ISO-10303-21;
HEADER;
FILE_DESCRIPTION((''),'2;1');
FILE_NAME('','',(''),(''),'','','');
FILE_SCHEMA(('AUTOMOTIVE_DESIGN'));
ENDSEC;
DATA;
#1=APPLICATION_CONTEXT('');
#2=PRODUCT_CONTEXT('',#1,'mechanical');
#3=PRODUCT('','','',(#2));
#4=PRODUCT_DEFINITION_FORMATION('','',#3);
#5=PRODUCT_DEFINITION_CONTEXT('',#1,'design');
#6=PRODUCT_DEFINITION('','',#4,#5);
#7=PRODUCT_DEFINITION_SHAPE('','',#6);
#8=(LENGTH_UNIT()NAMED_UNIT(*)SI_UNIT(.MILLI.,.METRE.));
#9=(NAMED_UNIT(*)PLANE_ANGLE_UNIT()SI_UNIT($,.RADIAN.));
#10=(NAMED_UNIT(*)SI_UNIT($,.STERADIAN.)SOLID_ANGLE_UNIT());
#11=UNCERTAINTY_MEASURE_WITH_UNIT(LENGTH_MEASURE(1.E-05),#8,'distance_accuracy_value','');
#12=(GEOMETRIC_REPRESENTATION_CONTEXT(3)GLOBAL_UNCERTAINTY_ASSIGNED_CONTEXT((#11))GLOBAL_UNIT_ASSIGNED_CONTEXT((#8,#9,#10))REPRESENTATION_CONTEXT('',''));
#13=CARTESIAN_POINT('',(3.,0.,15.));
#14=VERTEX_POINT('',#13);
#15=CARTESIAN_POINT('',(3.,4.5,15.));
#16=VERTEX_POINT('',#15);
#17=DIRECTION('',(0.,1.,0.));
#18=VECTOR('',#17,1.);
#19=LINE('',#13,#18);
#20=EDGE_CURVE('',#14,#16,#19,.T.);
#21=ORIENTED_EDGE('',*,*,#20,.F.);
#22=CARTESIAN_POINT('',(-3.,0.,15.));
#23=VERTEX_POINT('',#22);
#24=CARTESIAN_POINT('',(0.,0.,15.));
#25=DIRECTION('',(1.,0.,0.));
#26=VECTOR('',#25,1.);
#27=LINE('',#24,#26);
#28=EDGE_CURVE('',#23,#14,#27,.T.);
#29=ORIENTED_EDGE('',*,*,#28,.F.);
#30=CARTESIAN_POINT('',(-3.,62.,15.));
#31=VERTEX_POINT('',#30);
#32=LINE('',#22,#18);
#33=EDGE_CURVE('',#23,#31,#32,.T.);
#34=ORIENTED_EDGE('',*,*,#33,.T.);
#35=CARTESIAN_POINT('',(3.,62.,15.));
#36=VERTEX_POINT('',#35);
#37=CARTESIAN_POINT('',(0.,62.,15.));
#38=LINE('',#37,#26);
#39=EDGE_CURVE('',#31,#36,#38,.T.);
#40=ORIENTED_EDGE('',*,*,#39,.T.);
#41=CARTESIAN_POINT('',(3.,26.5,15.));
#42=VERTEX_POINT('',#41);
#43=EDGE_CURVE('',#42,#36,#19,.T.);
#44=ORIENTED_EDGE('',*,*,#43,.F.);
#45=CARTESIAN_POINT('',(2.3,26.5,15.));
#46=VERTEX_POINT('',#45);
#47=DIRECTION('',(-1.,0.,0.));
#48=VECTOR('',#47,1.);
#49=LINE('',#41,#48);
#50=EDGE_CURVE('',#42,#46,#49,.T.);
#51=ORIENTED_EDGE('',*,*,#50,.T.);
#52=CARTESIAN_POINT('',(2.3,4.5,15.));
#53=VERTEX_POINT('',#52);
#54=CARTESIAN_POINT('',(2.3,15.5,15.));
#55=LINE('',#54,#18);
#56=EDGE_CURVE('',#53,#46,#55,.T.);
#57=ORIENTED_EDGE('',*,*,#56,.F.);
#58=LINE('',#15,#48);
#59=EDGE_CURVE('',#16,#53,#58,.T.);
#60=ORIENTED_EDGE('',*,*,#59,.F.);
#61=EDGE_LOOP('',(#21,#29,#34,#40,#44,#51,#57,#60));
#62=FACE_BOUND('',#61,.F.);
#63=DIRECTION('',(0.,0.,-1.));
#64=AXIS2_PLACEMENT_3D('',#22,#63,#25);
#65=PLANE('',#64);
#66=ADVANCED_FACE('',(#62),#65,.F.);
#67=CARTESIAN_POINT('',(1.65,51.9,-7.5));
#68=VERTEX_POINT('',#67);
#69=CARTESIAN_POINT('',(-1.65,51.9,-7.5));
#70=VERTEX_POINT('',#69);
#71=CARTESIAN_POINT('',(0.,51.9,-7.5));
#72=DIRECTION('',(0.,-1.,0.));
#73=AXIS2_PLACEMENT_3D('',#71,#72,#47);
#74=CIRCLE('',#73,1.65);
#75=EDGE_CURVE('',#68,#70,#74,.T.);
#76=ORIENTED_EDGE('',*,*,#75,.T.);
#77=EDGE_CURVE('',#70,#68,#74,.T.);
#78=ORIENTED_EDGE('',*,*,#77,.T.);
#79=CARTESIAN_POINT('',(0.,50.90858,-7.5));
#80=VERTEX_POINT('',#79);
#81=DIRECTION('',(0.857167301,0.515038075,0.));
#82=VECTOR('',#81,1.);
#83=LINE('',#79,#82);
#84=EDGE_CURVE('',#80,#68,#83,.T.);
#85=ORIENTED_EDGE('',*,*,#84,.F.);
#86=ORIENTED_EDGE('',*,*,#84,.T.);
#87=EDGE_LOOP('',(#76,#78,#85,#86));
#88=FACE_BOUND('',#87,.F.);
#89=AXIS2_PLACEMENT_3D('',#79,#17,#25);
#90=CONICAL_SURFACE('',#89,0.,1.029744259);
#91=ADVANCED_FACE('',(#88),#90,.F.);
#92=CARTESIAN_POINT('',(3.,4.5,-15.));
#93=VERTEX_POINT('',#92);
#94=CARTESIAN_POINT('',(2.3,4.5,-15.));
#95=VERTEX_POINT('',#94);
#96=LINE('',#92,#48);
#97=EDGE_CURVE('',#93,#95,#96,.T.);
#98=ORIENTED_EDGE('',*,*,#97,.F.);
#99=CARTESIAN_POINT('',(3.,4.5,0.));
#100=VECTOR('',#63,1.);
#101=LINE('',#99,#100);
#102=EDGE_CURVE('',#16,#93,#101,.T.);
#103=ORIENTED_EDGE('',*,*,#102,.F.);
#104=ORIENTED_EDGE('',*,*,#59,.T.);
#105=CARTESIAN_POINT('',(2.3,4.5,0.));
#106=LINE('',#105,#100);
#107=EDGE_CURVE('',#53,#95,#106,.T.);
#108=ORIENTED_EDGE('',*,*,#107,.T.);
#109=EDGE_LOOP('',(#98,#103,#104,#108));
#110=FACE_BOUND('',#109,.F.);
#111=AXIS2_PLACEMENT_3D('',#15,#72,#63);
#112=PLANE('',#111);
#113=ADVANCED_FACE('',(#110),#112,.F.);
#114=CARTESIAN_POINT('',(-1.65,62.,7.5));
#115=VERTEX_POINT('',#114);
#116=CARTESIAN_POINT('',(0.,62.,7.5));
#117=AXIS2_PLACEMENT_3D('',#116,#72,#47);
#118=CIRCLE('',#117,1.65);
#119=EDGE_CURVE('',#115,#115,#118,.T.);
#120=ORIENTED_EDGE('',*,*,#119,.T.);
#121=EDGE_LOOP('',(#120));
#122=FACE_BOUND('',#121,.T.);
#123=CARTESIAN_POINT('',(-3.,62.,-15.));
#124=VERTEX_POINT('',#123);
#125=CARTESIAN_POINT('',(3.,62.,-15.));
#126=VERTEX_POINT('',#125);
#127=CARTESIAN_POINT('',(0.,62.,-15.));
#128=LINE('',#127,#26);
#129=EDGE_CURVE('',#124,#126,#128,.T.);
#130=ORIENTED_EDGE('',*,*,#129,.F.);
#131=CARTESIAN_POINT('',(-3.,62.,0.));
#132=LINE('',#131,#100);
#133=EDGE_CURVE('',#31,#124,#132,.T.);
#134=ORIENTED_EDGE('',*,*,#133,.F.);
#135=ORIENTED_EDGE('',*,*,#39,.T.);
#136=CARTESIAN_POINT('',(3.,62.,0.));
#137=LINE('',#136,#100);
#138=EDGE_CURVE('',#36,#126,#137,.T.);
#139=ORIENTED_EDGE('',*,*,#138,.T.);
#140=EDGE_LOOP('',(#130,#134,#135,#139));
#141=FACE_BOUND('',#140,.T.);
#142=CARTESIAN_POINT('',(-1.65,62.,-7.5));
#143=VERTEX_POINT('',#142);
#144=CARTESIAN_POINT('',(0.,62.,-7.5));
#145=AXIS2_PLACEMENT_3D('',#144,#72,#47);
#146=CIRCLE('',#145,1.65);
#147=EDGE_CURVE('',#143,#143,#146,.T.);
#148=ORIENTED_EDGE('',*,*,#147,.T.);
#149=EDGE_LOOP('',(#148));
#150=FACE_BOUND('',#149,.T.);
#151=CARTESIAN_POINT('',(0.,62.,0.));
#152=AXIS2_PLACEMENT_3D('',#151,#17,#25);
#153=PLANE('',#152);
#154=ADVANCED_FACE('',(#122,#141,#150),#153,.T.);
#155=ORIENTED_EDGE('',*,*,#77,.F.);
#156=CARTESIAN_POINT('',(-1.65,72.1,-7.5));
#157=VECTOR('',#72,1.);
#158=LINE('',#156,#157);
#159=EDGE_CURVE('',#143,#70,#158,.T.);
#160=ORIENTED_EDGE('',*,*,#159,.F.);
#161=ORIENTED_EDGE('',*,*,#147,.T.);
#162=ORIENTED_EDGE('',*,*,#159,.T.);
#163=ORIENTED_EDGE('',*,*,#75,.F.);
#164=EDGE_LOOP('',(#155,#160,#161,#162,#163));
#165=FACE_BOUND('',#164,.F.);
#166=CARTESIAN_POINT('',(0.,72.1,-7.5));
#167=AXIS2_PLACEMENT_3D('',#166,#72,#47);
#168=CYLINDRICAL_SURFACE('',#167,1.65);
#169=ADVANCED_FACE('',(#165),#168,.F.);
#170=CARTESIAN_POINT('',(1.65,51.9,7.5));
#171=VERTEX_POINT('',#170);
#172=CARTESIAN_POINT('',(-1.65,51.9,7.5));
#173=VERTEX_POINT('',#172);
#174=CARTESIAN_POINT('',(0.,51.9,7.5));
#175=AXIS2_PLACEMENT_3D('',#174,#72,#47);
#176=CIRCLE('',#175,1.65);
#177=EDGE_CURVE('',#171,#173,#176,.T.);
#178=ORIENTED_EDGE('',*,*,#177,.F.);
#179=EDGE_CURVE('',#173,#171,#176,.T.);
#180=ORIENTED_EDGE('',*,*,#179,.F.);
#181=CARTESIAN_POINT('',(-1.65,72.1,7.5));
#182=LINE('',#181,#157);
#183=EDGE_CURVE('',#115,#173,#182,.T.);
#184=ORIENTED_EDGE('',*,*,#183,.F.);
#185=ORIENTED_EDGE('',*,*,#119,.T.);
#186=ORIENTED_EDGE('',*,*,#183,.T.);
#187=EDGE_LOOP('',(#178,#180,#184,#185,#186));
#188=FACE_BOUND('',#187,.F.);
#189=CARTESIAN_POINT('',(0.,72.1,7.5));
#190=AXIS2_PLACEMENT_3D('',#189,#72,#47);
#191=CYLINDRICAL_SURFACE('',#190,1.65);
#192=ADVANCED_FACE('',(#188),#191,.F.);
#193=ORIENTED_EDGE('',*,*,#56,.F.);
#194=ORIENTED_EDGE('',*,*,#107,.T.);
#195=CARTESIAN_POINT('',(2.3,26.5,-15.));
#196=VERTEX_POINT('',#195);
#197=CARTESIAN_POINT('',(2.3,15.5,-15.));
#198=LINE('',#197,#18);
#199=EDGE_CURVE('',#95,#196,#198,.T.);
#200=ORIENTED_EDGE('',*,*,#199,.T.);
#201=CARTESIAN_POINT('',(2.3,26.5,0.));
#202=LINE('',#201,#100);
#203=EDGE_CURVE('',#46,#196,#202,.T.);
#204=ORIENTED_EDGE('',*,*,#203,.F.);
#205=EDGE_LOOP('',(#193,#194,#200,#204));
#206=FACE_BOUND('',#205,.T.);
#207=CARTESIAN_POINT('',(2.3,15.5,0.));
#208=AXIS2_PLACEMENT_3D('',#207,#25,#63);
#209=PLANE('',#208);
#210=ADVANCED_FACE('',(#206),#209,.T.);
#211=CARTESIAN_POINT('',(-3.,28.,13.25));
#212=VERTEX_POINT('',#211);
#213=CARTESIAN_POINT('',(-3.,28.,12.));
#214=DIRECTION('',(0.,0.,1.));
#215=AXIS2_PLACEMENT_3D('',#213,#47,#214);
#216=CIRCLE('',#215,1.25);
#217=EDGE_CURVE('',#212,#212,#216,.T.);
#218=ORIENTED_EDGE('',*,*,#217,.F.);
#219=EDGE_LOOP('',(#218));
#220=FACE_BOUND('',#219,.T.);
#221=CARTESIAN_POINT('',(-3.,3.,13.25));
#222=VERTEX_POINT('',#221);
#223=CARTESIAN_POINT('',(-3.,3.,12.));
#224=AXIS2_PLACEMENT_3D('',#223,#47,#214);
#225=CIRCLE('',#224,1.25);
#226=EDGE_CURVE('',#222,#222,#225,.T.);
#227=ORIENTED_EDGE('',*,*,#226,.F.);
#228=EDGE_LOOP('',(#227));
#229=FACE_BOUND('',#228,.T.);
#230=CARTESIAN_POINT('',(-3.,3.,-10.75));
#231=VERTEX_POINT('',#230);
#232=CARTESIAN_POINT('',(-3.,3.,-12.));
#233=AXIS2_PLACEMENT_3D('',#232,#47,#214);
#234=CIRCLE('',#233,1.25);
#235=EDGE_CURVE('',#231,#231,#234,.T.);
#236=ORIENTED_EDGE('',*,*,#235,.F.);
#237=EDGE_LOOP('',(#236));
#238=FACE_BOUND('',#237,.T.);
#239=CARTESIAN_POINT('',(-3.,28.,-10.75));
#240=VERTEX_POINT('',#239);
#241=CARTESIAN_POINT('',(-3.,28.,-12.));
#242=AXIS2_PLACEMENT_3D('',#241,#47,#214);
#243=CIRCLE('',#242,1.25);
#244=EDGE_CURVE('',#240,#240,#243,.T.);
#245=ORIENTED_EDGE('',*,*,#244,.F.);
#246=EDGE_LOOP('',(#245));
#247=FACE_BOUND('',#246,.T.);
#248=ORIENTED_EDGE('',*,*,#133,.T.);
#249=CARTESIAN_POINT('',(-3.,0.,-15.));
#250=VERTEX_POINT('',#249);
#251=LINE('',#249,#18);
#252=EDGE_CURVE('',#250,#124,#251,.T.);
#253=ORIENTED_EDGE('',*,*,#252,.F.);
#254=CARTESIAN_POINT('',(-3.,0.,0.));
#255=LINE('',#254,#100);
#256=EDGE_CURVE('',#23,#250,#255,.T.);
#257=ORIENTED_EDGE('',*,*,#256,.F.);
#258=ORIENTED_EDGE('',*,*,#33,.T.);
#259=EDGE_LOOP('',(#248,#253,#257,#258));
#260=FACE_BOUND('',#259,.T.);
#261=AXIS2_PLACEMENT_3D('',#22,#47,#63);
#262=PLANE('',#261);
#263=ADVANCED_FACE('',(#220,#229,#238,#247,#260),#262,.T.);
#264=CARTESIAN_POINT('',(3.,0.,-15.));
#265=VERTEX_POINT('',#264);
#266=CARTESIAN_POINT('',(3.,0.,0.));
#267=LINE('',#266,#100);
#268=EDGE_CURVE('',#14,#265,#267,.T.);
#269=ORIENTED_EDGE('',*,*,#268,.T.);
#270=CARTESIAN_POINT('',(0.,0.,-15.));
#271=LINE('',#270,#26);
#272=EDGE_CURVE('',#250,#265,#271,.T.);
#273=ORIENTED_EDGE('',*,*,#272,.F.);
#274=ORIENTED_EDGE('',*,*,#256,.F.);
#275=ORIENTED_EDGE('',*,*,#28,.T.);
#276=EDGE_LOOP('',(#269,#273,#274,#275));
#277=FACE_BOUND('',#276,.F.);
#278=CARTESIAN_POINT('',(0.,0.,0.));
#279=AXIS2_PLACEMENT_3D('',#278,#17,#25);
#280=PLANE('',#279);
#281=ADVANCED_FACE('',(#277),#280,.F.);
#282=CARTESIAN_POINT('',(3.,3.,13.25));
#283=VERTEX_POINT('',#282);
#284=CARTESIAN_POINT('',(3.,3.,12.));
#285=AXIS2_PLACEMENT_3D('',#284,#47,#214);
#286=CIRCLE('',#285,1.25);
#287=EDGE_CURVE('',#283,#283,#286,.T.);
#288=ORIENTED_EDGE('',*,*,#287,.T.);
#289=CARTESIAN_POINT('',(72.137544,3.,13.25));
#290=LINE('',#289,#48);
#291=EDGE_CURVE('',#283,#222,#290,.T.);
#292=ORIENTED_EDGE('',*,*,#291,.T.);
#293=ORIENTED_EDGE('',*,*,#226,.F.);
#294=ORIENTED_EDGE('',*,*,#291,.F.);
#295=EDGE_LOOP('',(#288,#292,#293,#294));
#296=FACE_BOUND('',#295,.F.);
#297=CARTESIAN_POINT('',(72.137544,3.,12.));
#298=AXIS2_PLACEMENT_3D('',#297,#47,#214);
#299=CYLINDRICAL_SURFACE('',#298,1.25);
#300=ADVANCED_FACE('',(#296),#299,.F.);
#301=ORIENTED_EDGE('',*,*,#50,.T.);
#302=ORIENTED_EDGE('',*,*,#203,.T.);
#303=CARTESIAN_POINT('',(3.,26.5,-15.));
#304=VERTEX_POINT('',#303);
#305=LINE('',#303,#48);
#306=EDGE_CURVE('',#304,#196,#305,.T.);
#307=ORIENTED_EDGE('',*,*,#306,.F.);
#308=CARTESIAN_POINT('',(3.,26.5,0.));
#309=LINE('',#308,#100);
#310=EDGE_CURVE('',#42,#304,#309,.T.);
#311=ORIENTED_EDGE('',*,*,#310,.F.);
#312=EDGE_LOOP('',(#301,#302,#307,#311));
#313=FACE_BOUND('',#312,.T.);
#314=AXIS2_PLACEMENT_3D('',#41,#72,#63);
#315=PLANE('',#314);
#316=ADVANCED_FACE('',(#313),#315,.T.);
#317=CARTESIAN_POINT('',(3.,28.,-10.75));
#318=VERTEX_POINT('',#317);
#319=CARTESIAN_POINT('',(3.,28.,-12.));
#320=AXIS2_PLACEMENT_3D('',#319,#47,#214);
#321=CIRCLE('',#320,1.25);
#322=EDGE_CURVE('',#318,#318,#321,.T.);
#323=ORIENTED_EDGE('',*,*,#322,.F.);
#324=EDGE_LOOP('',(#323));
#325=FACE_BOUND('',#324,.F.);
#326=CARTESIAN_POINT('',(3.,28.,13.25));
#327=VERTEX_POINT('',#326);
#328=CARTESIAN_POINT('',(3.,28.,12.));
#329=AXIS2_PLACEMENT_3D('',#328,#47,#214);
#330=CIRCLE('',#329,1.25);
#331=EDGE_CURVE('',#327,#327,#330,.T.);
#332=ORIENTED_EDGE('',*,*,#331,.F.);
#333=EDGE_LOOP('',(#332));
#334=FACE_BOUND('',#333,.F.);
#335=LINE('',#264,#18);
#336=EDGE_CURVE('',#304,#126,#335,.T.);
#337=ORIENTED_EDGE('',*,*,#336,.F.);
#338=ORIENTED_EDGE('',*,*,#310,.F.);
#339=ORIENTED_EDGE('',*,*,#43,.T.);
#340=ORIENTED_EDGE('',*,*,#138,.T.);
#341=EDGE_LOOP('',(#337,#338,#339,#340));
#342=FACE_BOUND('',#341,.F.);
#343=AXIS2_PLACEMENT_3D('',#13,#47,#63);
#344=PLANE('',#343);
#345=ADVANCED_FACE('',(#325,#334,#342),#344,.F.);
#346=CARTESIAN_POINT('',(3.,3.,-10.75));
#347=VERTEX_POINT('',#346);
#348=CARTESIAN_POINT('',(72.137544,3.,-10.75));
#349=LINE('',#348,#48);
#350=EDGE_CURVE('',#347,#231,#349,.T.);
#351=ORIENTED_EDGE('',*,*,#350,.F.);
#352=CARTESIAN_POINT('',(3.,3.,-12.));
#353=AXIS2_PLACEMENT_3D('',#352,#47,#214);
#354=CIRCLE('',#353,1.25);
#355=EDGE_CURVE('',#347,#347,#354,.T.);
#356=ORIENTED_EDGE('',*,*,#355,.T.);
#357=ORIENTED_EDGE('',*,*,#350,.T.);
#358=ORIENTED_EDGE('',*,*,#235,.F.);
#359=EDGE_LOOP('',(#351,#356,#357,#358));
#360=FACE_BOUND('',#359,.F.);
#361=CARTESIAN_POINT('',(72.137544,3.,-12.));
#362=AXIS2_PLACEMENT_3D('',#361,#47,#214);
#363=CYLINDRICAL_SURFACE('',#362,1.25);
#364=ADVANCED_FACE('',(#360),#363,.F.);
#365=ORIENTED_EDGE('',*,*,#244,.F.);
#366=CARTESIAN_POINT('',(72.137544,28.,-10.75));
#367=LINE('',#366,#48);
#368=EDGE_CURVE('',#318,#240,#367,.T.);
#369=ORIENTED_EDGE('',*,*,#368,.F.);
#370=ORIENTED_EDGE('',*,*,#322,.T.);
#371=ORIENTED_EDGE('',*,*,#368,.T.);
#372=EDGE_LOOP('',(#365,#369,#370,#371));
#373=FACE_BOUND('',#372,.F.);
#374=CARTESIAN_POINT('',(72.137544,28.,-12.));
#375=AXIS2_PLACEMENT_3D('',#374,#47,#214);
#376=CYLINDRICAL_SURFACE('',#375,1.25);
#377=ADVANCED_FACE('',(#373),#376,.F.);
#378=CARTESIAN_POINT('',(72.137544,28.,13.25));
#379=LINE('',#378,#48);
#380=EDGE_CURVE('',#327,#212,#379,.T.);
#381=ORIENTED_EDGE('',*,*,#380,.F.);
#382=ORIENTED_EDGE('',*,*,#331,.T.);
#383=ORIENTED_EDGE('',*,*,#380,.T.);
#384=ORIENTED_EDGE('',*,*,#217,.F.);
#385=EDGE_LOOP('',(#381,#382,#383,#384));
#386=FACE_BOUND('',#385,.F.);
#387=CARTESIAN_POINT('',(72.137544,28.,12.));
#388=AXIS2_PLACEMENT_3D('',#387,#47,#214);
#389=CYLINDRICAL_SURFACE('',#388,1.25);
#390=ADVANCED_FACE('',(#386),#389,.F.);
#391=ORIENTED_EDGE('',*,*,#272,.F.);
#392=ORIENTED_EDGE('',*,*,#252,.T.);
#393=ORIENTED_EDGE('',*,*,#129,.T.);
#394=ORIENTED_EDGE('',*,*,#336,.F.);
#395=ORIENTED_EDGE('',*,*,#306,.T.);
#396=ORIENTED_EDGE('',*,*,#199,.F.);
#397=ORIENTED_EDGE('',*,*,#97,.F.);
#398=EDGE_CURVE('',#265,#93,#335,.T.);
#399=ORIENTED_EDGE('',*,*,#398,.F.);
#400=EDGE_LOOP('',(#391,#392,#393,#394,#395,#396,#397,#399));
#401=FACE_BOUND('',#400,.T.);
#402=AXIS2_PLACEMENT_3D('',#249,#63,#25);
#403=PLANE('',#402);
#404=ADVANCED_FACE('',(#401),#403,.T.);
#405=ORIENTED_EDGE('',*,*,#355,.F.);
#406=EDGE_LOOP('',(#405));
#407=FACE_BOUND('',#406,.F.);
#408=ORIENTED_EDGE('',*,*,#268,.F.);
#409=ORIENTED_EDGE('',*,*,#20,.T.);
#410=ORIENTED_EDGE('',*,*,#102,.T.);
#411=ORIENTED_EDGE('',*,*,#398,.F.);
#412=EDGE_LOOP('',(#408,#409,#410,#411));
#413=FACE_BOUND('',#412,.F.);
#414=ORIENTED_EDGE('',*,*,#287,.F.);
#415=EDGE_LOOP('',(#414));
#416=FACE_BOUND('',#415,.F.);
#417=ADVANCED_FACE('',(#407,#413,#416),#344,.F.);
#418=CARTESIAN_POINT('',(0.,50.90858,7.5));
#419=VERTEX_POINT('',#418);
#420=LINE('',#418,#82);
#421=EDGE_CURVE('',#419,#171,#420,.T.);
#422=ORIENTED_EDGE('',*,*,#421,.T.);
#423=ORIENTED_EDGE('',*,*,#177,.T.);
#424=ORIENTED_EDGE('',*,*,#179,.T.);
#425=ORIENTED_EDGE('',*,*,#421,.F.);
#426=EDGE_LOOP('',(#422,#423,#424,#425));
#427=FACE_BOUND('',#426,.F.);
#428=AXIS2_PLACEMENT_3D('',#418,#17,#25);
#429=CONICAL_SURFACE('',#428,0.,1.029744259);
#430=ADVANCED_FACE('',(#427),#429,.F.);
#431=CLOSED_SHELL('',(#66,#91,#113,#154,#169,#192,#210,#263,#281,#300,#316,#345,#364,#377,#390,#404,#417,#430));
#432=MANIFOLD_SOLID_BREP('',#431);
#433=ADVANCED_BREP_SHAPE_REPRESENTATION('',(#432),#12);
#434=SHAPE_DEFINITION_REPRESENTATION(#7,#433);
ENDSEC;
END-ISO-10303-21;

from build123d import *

# Parameters (mm, degrees)
SKETCH_1_W             = 6
SKETCH_1_H             = 30
EXTRUDE_1_DEPTH        = 62
HOLE_WIZARD_M4_1_D     = 3.3
HOLE_WIZARD_M4_1_DEPTH = 10.1
HOLE_WIZARD_M4_1_TIP   = 0.991420021
SKETCH_4_W             = 30
SKETCH_4_H             = 22
CUT_EXTRUDE_1_DEPTH    = 0.7
HOLE_WIZARD_M3_1_D     = 2.5


with BuildPart() as part:
    # 草图1 → 凸台-拉伸1 (new body)
    with BuildSketch(Plane(origin=(0, 0, 0), x_dir=(1, 0, 0), z_dir=(0, 1, 0))):
        Rectangle(SKETCH_1_W, SKETCH_1_H)
    extrude(amount=EXTRUDE_1_DEPTH)

    # M4 螺纹孔1
    with Locations(Plane(origin=(0, 62, 0), x_dir=(1, 0, 0), z_dir=(0, 1, 0))):
        with Locations((0, 7.5), (0, -7.5)):
            Hole(HOLE_WIZARD_M4_1_D / 2, depth=HOLE_WIZARD_M4_1_DEPTH)
            with Locations((0, 0, -(HOLE_WIZARD_M4_1_DEPTH + HOLE_WIZARD_M4_1_TIP / 2))):  # 118° drill point
                Cone(0, HOLE_WIZARD_M4_1_D / 2, HOLE_WIZARD_M4_1_TIP, mode=Mode.SUBTRACT)

    # 草图4 → 切除-拉伸1 (cut)
    with BuildSketch(Plane(origin=(3, 0, 0), x_dir=(0, 0, -1), z_dir=(1, 0, 0))):
        with Locations((0, 15.5)):
            Rectangle(SKETCH_4_W, SKETCH_4_H)
    extrude(amount=-CUT_EXTRUDE_1_DEPTH, mode=Mode.SUBTRACT)

    # M3 螺纹孔1 (through all)
    with Locations(Plane(origin=(3, 0, 0), x_dir=(0, 0, -1), z_dir=(1, 0, 0))):
        with Locations((-12, 28), (12, 28), (12, 3), (-12, 3)):
            Hole(HOLE_WIZARD_M3_1_D / 2)


solid = part.part
